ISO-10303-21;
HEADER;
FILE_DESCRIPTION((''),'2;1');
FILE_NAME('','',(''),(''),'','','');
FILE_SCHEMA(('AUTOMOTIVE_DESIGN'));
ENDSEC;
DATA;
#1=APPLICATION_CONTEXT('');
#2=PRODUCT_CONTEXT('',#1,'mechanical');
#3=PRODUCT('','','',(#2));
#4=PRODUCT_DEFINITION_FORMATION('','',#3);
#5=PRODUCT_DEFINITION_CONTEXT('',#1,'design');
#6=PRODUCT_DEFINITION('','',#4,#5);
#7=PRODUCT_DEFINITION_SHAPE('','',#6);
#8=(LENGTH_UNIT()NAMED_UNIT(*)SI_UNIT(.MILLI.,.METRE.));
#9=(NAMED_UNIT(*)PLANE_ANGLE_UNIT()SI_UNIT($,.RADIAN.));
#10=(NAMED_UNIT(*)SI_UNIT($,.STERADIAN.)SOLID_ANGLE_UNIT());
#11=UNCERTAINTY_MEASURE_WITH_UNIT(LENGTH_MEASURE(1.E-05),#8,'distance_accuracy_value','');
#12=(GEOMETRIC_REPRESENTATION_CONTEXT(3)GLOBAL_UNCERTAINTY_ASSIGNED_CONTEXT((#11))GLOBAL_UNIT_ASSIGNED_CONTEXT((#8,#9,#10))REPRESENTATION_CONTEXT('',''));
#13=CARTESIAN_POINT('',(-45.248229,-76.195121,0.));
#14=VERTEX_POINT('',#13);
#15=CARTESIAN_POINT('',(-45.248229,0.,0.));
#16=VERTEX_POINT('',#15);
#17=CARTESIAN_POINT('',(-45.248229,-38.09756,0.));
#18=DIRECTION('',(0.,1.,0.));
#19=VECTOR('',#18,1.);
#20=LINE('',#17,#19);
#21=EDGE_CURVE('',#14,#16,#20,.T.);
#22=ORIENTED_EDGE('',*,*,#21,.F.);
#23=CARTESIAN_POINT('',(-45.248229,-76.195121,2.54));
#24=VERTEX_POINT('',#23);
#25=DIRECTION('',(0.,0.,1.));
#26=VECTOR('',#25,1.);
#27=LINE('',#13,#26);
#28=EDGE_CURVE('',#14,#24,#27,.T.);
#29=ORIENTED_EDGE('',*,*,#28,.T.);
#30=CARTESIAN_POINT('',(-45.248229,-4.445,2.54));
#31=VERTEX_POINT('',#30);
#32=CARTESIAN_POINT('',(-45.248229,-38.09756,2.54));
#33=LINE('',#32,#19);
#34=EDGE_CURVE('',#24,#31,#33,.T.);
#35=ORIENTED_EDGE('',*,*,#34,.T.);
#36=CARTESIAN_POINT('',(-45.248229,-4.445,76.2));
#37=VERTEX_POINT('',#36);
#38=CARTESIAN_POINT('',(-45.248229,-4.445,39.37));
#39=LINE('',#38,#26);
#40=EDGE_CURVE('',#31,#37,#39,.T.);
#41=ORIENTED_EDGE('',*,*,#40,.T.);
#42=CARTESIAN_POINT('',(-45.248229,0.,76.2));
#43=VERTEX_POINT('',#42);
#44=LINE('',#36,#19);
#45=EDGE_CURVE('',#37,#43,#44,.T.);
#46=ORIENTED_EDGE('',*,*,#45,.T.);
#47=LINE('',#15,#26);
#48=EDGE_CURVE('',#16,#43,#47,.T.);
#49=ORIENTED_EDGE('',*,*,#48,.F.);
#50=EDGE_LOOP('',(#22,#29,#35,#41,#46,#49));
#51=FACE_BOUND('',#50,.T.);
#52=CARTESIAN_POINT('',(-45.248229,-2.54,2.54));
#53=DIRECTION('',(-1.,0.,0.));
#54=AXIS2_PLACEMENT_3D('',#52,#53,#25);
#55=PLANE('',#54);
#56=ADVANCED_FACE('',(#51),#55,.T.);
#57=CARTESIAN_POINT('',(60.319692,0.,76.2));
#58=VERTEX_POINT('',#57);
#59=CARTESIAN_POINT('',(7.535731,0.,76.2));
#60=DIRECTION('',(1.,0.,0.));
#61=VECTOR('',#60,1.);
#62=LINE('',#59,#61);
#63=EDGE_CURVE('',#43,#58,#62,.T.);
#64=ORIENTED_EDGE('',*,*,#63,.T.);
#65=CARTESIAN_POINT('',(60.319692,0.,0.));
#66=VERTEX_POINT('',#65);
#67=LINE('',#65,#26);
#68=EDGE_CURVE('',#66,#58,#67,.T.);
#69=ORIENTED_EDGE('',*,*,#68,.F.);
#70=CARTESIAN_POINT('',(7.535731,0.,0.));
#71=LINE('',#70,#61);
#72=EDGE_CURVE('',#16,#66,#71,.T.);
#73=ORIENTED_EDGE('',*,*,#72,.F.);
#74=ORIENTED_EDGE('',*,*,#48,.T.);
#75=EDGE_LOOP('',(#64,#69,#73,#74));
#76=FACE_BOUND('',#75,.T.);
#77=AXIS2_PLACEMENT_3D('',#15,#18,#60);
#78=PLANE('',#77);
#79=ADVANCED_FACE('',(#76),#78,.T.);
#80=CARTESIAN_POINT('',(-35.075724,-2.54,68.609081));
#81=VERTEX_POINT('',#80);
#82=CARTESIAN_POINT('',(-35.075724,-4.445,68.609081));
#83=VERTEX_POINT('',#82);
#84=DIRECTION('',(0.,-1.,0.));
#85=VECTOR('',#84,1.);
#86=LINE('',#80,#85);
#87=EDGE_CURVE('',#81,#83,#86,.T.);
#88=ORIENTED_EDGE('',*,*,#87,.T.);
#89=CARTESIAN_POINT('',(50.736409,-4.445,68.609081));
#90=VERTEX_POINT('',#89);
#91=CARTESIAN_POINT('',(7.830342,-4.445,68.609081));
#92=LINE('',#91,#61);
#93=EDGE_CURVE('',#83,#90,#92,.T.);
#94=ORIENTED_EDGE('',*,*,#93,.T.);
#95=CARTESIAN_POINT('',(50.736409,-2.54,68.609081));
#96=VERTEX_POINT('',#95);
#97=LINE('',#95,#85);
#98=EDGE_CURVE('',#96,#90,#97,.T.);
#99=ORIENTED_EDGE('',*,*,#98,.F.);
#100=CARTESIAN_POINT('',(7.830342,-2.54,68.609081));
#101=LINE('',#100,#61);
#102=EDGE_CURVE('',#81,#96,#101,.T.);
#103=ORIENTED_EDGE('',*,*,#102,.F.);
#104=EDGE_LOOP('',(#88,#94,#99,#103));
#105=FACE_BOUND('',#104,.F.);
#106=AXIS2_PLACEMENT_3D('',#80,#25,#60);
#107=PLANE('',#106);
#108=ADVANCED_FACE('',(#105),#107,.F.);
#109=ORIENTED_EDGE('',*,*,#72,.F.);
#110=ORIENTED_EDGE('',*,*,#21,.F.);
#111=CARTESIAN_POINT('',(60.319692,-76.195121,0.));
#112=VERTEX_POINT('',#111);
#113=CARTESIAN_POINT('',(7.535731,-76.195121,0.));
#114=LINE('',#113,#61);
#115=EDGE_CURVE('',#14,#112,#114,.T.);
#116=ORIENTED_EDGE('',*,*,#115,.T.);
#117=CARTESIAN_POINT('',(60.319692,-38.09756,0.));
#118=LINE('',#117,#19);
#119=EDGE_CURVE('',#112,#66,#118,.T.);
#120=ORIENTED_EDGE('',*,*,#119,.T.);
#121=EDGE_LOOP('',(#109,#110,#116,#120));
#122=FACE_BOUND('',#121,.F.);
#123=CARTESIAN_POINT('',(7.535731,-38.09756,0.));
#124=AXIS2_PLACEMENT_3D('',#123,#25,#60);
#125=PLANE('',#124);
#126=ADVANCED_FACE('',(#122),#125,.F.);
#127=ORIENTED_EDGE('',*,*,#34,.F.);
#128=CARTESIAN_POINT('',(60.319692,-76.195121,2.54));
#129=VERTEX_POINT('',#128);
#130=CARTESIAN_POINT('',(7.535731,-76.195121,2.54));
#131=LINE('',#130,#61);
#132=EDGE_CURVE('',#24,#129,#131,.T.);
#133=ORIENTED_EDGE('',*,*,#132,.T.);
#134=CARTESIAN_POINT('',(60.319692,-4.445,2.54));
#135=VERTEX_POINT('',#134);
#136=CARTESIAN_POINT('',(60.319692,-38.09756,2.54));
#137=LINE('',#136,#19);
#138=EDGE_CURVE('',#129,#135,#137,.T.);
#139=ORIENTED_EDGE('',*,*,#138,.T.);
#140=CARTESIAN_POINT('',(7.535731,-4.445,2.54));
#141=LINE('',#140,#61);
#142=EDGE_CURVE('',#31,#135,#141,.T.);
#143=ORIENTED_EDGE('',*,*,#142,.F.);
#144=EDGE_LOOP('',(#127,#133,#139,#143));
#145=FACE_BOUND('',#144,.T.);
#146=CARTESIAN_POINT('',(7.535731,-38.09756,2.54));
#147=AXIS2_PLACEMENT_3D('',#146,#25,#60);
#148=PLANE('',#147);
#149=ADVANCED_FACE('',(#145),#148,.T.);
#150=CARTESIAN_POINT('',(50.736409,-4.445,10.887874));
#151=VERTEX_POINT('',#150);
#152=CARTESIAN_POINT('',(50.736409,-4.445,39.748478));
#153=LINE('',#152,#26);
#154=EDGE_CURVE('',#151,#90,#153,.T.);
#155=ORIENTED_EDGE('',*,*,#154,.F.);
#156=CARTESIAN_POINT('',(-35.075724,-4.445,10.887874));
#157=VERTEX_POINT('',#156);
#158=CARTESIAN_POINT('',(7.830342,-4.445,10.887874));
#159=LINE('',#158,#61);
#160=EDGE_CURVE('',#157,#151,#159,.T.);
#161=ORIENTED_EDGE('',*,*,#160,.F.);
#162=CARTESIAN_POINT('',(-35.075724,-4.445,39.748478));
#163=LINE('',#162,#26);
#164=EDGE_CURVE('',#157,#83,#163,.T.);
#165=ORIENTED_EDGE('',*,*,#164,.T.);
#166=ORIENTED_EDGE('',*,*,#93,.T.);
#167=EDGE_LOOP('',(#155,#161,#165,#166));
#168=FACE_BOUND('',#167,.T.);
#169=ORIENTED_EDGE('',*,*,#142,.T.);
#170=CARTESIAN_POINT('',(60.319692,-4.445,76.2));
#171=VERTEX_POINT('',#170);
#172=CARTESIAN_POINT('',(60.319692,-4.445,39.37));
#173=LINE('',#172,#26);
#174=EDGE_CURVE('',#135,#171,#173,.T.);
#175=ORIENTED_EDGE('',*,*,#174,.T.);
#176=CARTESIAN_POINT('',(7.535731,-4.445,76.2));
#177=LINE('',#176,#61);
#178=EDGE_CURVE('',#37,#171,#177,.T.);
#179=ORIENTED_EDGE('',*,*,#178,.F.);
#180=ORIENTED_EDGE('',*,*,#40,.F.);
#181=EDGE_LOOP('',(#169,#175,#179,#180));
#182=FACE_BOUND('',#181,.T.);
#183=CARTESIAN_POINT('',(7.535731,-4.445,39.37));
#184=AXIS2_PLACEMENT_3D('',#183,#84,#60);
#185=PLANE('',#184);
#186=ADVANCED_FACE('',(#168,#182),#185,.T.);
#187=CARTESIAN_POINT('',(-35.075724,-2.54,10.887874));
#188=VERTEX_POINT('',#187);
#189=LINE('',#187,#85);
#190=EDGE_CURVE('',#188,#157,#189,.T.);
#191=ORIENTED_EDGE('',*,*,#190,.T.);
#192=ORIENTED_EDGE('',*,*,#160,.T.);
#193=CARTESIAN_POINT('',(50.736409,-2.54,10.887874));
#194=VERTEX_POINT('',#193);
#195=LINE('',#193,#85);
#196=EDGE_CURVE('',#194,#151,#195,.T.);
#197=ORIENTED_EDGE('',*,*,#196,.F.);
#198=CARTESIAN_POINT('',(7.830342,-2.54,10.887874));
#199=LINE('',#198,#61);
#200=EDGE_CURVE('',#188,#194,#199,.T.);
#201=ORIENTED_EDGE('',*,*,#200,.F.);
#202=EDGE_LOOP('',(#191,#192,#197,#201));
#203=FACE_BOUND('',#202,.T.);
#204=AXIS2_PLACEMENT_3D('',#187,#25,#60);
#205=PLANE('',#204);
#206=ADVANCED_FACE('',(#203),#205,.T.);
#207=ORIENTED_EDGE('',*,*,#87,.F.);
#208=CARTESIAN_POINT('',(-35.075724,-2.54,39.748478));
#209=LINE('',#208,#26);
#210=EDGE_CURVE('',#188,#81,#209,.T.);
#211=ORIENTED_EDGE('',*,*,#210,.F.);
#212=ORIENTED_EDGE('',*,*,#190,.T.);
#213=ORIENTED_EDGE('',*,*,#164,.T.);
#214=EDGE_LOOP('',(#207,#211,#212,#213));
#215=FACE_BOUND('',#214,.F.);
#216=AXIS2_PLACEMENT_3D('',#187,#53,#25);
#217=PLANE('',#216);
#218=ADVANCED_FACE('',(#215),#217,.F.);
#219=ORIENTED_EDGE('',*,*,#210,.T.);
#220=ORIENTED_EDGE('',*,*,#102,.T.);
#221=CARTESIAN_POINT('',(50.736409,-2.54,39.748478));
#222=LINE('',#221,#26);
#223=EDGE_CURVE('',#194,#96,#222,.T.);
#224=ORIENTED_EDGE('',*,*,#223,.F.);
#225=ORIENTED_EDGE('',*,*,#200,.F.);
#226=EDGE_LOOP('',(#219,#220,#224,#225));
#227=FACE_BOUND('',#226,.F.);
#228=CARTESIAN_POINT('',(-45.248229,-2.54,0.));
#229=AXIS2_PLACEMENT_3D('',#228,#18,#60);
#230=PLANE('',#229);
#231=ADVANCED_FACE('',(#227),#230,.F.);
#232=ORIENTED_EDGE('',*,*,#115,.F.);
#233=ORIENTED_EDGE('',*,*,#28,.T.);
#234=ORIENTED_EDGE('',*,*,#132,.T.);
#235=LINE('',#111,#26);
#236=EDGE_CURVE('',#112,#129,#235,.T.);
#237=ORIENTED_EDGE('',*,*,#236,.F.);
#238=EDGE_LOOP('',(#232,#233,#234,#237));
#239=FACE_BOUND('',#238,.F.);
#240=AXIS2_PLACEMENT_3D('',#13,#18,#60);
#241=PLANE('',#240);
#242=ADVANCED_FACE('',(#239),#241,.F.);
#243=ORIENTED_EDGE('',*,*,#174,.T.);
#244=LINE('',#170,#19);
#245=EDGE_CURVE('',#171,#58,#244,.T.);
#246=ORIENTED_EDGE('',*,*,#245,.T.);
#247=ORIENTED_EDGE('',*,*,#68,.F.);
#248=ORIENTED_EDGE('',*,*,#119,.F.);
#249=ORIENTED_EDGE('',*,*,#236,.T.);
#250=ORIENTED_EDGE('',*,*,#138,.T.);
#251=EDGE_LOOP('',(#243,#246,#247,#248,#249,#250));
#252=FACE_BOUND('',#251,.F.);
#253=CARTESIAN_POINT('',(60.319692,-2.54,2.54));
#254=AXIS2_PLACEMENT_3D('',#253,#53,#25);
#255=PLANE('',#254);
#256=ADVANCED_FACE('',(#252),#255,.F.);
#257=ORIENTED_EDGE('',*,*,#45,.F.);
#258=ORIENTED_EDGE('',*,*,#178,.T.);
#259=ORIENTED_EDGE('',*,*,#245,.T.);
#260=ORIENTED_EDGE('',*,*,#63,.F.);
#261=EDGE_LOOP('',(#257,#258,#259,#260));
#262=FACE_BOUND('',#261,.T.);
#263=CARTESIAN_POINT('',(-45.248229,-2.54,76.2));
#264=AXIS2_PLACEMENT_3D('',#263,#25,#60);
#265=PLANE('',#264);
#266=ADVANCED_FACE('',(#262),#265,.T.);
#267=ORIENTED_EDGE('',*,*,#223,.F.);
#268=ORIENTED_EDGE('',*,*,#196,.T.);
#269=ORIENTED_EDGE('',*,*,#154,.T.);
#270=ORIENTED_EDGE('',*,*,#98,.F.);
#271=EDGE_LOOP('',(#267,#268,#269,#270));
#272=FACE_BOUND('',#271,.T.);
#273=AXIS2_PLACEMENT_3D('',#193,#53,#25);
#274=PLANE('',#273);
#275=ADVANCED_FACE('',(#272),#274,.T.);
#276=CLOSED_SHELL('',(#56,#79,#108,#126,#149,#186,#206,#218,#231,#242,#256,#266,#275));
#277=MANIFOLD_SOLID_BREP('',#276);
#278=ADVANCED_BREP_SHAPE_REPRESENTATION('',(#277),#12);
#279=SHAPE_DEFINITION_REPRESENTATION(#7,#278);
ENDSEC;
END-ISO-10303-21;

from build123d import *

# Parameters (mm, degrees)
F0_W     = 105.567920953
F0_H     = 76.1951208115
F1_DEPTH = 76.2
F2_T     = -2.54
F3_W     = 105.567920953
F3_H     = 73.66
F3_W_2   = 85.8121328056
F3_H_2   = 57.7212069184
F4_DEPTH = 1.905


with BuildPart() as f1:
    # F0 (on Top) → F1 (new body)
    with BuildSketch(Plane.XY):
        with Locations((7.5357314199, -38.0975604057)):
            Rectangle(F0_W, F0_H)
    extrude(amount=F1_DEPTH)

    # F2
    f2_openings = [f1.faces().sort_by_distance(p)[0] for p in [
        (7.535731, -38.09756, 76.2),
        (7.535731, -76.195121, 38.1),
        (-45.248229, -38.09756, 38.1),
        (60.319692, -38.09756, 38.1),
    ]]
    offset(amount=F2_T, openings=f2_openings)

    # F3 (on face) → F4 (join)
    with BuildSketch(Plane.XZ.offset(2.54)):
        with Locations((7.5357314199, 39.37)):
            Rectangle(F3_W, F3_H)
        with Locations((7.8303422779, 39.7484777495)):
            Rectangle(F3_W_2, F3_H_2, mode=Mode.SUBTRACT)
    extrude(amount=F4_DEPTH)


solid = f1.part
